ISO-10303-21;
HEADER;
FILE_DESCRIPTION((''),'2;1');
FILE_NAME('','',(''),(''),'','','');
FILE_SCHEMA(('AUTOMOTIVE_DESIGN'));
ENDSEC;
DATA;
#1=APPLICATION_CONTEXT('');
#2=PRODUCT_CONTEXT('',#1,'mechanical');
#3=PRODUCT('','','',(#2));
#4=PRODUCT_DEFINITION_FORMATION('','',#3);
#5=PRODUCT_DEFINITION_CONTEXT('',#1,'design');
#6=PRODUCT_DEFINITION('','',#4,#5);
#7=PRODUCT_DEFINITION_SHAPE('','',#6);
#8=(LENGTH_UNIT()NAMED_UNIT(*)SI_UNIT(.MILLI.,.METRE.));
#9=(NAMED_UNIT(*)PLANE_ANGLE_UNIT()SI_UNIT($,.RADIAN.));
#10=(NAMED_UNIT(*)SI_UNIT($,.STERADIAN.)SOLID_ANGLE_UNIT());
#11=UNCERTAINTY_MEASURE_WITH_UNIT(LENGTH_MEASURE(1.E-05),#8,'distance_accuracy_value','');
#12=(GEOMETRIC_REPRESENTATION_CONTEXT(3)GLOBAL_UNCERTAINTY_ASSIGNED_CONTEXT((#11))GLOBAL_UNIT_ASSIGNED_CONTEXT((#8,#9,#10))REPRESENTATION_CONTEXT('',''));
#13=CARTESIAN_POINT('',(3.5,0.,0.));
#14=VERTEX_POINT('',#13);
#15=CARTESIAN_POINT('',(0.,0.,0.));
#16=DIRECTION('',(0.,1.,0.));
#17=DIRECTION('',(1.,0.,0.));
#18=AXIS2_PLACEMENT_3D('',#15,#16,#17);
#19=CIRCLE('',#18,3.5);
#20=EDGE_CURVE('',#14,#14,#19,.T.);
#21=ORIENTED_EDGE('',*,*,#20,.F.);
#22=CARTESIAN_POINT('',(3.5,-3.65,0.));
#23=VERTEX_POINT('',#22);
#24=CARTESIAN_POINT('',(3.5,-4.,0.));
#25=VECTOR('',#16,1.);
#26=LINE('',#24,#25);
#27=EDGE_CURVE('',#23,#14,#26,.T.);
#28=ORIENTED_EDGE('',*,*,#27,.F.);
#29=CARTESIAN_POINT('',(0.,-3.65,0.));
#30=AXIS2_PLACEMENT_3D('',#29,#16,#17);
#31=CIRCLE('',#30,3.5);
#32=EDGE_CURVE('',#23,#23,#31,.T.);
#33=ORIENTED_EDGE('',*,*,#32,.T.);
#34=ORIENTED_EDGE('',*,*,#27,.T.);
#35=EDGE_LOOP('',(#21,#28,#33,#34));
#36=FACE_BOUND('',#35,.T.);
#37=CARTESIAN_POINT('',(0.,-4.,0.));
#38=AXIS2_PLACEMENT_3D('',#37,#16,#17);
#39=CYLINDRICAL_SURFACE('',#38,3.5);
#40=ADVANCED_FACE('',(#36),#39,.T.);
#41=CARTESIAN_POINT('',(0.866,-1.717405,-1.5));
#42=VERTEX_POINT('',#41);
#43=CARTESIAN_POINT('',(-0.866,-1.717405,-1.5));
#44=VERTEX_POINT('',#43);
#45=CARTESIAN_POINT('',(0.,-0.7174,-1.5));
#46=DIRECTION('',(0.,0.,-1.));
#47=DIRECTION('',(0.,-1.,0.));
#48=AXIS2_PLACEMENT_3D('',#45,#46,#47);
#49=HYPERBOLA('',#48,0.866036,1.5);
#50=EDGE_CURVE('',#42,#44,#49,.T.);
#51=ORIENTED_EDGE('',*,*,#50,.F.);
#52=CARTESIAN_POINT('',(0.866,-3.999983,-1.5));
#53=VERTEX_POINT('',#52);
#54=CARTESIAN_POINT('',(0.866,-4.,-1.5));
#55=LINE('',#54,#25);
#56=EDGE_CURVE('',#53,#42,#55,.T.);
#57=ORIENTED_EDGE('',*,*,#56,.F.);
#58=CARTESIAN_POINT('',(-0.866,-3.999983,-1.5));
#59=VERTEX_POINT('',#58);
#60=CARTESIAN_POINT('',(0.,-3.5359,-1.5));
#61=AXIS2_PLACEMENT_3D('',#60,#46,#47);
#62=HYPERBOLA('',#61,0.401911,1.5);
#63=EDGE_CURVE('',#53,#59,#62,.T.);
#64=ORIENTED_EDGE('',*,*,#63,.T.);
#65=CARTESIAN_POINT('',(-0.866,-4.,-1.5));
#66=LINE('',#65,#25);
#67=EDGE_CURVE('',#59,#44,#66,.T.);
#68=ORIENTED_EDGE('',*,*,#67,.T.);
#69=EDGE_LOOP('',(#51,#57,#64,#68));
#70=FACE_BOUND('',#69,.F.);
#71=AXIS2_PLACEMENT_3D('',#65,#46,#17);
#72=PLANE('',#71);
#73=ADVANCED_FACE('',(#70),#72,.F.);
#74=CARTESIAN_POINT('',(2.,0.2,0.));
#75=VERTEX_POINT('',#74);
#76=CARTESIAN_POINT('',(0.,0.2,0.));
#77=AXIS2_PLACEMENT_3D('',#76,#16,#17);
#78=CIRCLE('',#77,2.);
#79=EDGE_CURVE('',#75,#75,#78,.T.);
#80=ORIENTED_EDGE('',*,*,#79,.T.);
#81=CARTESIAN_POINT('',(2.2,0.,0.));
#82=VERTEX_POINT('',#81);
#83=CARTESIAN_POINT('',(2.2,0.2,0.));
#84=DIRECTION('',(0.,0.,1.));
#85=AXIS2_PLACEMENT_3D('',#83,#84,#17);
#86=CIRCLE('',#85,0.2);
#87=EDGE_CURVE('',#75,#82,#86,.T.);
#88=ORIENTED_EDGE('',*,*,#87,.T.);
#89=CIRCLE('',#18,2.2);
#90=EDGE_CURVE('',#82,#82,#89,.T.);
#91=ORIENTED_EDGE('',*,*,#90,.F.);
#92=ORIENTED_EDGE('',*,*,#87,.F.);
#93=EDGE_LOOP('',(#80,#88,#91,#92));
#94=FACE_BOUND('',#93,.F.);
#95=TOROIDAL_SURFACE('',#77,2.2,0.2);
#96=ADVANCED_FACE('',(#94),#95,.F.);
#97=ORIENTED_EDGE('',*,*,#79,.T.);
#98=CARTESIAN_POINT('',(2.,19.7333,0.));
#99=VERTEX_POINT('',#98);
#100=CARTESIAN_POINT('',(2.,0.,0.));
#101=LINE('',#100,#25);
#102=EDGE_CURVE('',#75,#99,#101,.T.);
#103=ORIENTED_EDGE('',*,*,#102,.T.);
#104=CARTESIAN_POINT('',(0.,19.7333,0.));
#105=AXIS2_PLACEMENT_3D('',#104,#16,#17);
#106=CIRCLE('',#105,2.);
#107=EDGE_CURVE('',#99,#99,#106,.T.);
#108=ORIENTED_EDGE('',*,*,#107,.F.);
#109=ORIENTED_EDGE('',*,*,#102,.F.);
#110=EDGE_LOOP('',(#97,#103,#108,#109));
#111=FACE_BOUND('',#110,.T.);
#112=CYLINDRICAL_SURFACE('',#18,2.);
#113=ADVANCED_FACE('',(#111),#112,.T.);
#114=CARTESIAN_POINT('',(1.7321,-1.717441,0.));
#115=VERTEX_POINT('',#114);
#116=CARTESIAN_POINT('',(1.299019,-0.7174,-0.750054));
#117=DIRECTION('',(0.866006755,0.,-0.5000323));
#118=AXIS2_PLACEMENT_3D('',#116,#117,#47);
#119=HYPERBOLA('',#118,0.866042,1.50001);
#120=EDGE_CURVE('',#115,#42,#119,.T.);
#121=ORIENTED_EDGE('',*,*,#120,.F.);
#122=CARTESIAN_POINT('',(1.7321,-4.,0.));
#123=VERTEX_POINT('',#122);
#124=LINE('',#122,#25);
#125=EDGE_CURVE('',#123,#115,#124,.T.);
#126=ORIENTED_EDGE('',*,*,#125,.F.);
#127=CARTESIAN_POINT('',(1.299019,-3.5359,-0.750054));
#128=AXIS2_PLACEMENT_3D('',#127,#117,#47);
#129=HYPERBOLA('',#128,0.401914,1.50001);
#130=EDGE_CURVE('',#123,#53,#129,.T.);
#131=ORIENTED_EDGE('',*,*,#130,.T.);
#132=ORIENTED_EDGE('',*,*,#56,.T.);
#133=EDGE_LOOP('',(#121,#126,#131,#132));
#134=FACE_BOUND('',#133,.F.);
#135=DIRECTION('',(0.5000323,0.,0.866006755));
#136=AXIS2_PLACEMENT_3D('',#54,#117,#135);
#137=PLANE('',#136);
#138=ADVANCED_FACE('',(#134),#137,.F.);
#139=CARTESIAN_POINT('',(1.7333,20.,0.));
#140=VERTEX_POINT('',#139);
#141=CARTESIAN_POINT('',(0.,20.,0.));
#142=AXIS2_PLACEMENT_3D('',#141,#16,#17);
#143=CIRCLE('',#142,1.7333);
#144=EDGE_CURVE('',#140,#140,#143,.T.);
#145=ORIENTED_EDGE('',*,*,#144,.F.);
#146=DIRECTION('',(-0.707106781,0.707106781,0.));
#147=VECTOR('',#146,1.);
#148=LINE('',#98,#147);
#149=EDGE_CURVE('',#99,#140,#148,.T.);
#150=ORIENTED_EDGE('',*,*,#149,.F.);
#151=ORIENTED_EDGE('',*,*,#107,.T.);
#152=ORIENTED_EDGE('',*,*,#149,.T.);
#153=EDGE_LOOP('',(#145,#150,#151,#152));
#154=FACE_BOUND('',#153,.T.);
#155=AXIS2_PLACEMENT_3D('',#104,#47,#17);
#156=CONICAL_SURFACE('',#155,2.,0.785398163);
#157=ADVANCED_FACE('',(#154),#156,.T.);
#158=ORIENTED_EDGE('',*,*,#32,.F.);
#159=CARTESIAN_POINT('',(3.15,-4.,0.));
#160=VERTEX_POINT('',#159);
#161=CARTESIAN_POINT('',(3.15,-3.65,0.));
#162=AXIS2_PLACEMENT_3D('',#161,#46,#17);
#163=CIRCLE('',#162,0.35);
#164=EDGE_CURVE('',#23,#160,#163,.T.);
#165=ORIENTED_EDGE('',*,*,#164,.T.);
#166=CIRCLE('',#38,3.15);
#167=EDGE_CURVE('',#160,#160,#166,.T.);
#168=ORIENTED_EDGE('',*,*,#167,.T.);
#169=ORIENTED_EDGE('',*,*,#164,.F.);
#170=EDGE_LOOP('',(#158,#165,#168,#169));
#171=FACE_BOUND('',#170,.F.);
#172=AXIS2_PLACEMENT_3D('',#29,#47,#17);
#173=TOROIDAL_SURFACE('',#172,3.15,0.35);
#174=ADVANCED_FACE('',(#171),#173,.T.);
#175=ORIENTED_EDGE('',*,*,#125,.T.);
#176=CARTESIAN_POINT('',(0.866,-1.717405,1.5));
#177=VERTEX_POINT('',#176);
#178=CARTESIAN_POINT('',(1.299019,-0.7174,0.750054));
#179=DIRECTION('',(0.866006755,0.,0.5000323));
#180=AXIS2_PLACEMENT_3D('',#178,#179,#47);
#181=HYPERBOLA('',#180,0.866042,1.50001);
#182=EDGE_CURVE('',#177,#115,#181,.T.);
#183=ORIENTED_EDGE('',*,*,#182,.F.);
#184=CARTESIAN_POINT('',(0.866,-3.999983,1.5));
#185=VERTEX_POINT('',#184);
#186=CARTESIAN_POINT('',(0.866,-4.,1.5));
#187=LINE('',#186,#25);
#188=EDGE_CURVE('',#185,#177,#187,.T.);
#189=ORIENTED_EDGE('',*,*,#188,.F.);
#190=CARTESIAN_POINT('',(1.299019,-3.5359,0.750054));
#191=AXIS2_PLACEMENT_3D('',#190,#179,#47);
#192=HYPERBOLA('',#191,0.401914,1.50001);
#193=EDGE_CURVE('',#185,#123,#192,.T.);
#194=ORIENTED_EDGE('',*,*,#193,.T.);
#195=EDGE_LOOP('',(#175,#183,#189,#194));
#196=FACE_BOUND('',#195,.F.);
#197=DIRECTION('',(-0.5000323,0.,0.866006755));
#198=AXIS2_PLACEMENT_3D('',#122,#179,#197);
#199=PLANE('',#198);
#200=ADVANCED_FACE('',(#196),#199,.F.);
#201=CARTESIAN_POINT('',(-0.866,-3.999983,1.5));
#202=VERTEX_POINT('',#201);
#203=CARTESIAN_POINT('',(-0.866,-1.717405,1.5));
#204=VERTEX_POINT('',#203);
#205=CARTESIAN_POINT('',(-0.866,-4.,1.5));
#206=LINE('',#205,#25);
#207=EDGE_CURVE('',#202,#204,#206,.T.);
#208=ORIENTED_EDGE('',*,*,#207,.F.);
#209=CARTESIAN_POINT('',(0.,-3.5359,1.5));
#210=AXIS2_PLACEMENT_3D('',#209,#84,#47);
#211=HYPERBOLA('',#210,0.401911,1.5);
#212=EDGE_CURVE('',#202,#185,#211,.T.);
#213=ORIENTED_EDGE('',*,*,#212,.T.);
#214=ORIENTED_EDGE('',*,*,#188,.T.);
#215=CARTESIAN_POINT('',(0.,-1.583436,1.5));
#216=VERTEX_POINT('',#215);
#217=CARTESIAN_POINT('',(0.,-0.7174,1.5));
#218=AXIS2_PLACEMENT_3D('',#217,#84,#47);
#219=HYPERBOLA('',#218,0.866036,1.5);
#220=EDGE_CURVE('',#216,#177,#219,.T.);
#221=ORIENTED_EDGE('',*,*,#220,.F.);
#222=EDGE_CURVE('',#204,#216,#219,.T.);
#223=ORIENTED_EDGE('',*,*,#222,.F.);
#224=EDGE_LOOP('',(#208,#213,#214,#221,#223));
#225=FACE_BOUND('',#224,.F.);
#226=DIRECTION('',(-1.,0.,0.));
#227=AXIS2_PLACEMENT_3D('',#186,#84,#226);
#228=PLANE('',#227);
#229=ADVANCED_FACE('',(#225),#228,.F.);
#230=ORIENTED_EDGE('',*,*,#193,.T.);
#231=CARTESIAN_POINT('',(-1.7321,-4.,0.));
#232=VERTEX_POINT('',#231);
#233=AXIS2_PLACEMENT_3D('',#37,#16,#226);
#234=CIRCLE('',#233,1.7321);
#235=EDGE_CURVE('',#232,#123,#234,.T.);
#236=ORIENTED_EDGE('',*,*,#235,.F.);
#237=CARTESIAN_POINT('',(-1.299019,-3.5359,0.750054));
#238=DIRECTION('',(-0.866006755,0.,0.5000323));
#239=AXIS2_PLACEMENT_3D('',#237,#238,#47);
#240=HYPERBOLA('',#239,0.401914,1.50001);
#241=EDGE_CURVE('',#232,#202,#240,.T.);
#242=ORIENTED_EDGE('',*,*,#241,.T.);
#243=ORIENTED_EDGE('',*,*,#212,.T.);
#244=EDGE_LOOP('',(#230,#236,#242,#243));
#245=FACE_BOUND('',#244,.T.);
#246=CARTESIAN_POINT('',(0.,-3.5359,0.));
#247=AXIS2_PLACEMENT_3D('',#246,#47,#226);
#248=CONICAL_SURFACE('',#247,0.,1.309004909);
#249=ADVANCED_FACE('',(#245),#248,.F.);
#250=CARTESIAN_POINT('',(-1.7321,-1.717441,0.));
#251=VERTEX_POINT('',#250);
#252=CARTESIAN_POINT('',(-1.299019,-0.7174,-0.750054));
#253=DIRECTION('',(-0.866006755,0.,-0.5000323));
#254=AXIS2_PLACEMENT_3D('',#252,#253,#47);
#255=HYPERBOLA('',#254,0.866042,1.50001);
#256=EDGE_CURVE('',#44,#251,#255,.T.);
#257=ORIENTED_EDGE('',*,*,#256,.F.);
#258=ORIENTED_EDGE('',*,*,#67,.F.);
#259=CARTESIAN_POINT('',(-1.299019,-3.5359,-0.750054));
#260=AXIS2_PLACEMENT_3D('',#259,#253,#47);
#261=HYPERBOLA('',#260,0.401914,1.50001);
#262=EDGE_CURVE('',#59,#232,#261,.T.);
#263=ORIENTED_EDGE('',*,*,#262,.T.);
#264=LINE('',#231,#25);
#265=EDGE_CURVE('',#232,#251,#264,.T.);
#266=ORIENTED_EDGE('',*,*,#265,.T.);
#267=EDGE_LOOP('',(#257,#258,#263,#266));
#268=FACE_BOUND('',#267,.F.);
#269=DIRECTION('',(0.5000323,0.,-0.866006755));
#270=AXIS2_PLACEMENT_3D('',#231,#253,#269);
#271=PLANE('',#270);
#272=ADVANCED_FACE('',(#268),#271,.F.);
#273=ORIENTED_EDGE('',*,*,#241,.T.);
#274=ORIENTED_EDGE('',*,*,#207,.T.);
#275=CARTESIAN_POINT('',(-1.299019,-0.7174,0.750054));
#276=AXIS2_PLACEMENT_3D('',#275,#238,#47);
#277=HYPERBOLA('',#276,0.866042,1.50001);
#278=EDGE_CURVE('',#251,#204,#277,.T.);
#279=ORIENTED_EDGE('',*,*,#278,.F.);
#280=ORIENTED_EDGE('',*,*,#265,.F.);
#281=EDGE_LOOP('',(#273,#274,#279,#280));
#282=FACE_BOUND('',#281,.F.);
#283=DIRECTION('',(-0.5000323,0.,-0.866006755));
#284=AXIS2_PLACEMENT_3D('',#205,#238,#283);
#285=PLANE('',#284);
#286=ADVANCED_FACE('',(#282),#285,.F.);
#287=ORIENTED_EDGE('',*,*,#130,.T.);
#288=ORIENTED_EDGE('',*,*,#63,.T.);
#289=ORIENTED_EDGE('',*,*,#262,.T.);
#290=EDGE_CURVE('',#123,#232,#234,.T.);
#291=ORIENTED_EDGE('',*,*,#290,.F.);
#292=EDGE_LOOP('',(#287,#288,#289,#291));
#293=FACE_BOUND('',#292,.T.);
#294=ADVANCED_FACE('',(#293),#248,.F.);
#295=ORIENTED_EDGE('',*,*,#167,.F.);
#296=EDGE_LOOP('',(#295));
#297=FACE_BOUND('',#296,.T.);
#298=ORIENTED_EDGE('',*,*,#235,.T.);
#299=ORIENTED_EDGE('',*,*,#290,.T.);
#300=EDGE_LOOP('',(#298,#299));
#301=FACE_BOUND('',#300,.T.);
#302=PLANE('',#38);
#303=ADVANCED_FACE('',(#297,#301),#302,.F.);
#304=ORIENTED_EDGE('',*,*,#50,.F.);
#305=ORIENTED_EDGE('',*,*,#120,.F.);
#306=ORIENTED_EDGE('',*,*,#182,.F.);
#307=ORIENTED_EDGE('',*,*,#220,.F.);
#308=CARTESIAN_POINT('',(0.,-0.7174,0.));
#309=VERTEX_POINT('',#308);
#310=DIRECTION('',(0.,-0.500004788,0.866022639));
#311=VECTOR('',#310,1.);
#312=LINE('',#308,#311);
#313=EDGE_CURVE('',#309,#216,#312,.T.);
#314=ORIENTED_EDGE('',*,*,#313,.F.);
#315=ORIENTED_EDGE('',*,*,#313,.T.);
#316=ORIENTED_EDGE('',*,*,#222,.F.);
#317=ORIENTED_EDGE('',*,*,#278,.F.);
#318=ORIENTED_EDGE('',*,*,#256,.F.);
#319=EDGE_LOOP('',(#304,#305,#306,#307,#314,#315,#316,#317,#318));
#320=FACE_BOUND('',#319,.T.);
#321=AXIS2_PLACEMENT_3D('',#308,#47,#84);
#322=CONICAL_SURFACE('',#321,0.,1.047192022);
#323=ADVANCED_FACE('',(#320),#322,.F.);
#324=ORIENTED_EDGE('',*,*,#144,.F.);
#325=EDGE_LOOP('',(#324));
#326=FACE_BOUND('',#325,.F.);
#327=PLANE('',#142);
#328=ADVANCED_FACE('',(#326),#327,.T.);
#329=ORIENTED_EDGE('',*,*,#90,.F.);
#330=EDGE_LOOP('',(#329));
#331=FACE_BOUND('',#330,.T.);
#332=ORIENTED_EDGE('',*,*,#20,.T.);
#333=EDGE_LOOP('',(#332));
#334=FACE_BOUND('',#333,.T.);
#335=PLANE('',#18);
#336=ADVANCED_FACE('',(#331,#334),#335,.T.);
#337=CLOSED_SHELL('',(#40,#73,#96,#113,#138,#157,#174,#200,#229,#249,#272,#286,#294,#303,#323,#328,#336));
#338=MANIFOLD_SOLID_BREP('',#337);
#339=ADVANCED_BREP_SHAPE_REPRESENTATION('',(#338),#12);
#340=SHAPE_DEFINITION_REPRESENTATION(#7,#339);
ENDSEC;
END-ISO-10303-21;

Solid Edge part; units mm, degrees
sketch "Sketch1" plane through (0, 0, 0) normal (0, 0, 1) x (1, 0, 0)
  line L0 (2, 0) -> (2, 20)
  line L1 (0, 20) -> (2, 20)
  line L2 (0, 0) -> (0, 20)
  line L3 (0, 0) -> (0, -4)
  line L4 (0, -4) -> (3.5, -4)
  line L5 (3.5, -4) -> (3.5, 0)
  line L6 (3.5, 0) -> (2, 0)
revolve "RevolvedProtrusion1" add sketch "Sketch1" angle 360 about axis through (0, 0, 0) along (0, 1, 0)
sketch "Sketch2" plane through (0, 0, 0) normal (1, 0, 0) x (0, 1, 0)
  line L0 (-4, 2.2215) -> (-2, 2.2215)
  line L1 (-0.7174, 0) -> (-2, 2.2215)
  line L2 (-4, 0) -> (-0.7174, 0)
  line L3 (-4, 0) -> (-4, 2.2215)
revolve "RevolvedCutout1" cut sketch "Sketch2" angle 360 about axis through (0, -4.5, 0) along (0, 1, 0)
sketch "Sketch3" plane through (0, -4, 0) normal (0, -1, 0) x (0, 0, 1)
  circle A0 centre (0, 0) radius 2.2215
  line L0 (-1.5, -0.866) -> (0, -1.7321)
  line L1 (0, -1.7321) -> (1.5, -0.866)
  line L2 (1.5, -0.866) -> (1.5, 0.866)
  line L3 (1.5, 0.866) -> (0, 1.7321)
  line L4 (0, 1.7321) -> (-1.5, 0.866)
  line L5 (-1.5, 0.866) -> (-1.5, -0.866)
  dimension "D1" = 3
extrude "Protrusion1" add sketch "Sketch3" against normal up to next
sketch "Sketch4" plane through (0, 0, 0) normal (0, 0, 1) x (1, 0, 0)
  line L0 (-1.7321, -4) -> (0, -4)
  line L1 (0, -4) -> (0, -3.5359)
  line L2 (0, -3.5359) -> (-1.7321, -4)
revolve "RevolvedCutout2" cut sketch "Sketch4" angle 360 about axis through (0, -4.5, 0) along (0, 1, 0)
fillet "Round1" radius 0.2 1 edges at (0, 0, -2)
fillet "Round2" radius 0.35 1 edges at (0, -4, -3.5)
chamfer "倒斜角_2" distance 0.2667 angle 45 1 edges at (0, 20, -2)
cosmetic_thread "螺纹_3" size "M4" thread depth 16
